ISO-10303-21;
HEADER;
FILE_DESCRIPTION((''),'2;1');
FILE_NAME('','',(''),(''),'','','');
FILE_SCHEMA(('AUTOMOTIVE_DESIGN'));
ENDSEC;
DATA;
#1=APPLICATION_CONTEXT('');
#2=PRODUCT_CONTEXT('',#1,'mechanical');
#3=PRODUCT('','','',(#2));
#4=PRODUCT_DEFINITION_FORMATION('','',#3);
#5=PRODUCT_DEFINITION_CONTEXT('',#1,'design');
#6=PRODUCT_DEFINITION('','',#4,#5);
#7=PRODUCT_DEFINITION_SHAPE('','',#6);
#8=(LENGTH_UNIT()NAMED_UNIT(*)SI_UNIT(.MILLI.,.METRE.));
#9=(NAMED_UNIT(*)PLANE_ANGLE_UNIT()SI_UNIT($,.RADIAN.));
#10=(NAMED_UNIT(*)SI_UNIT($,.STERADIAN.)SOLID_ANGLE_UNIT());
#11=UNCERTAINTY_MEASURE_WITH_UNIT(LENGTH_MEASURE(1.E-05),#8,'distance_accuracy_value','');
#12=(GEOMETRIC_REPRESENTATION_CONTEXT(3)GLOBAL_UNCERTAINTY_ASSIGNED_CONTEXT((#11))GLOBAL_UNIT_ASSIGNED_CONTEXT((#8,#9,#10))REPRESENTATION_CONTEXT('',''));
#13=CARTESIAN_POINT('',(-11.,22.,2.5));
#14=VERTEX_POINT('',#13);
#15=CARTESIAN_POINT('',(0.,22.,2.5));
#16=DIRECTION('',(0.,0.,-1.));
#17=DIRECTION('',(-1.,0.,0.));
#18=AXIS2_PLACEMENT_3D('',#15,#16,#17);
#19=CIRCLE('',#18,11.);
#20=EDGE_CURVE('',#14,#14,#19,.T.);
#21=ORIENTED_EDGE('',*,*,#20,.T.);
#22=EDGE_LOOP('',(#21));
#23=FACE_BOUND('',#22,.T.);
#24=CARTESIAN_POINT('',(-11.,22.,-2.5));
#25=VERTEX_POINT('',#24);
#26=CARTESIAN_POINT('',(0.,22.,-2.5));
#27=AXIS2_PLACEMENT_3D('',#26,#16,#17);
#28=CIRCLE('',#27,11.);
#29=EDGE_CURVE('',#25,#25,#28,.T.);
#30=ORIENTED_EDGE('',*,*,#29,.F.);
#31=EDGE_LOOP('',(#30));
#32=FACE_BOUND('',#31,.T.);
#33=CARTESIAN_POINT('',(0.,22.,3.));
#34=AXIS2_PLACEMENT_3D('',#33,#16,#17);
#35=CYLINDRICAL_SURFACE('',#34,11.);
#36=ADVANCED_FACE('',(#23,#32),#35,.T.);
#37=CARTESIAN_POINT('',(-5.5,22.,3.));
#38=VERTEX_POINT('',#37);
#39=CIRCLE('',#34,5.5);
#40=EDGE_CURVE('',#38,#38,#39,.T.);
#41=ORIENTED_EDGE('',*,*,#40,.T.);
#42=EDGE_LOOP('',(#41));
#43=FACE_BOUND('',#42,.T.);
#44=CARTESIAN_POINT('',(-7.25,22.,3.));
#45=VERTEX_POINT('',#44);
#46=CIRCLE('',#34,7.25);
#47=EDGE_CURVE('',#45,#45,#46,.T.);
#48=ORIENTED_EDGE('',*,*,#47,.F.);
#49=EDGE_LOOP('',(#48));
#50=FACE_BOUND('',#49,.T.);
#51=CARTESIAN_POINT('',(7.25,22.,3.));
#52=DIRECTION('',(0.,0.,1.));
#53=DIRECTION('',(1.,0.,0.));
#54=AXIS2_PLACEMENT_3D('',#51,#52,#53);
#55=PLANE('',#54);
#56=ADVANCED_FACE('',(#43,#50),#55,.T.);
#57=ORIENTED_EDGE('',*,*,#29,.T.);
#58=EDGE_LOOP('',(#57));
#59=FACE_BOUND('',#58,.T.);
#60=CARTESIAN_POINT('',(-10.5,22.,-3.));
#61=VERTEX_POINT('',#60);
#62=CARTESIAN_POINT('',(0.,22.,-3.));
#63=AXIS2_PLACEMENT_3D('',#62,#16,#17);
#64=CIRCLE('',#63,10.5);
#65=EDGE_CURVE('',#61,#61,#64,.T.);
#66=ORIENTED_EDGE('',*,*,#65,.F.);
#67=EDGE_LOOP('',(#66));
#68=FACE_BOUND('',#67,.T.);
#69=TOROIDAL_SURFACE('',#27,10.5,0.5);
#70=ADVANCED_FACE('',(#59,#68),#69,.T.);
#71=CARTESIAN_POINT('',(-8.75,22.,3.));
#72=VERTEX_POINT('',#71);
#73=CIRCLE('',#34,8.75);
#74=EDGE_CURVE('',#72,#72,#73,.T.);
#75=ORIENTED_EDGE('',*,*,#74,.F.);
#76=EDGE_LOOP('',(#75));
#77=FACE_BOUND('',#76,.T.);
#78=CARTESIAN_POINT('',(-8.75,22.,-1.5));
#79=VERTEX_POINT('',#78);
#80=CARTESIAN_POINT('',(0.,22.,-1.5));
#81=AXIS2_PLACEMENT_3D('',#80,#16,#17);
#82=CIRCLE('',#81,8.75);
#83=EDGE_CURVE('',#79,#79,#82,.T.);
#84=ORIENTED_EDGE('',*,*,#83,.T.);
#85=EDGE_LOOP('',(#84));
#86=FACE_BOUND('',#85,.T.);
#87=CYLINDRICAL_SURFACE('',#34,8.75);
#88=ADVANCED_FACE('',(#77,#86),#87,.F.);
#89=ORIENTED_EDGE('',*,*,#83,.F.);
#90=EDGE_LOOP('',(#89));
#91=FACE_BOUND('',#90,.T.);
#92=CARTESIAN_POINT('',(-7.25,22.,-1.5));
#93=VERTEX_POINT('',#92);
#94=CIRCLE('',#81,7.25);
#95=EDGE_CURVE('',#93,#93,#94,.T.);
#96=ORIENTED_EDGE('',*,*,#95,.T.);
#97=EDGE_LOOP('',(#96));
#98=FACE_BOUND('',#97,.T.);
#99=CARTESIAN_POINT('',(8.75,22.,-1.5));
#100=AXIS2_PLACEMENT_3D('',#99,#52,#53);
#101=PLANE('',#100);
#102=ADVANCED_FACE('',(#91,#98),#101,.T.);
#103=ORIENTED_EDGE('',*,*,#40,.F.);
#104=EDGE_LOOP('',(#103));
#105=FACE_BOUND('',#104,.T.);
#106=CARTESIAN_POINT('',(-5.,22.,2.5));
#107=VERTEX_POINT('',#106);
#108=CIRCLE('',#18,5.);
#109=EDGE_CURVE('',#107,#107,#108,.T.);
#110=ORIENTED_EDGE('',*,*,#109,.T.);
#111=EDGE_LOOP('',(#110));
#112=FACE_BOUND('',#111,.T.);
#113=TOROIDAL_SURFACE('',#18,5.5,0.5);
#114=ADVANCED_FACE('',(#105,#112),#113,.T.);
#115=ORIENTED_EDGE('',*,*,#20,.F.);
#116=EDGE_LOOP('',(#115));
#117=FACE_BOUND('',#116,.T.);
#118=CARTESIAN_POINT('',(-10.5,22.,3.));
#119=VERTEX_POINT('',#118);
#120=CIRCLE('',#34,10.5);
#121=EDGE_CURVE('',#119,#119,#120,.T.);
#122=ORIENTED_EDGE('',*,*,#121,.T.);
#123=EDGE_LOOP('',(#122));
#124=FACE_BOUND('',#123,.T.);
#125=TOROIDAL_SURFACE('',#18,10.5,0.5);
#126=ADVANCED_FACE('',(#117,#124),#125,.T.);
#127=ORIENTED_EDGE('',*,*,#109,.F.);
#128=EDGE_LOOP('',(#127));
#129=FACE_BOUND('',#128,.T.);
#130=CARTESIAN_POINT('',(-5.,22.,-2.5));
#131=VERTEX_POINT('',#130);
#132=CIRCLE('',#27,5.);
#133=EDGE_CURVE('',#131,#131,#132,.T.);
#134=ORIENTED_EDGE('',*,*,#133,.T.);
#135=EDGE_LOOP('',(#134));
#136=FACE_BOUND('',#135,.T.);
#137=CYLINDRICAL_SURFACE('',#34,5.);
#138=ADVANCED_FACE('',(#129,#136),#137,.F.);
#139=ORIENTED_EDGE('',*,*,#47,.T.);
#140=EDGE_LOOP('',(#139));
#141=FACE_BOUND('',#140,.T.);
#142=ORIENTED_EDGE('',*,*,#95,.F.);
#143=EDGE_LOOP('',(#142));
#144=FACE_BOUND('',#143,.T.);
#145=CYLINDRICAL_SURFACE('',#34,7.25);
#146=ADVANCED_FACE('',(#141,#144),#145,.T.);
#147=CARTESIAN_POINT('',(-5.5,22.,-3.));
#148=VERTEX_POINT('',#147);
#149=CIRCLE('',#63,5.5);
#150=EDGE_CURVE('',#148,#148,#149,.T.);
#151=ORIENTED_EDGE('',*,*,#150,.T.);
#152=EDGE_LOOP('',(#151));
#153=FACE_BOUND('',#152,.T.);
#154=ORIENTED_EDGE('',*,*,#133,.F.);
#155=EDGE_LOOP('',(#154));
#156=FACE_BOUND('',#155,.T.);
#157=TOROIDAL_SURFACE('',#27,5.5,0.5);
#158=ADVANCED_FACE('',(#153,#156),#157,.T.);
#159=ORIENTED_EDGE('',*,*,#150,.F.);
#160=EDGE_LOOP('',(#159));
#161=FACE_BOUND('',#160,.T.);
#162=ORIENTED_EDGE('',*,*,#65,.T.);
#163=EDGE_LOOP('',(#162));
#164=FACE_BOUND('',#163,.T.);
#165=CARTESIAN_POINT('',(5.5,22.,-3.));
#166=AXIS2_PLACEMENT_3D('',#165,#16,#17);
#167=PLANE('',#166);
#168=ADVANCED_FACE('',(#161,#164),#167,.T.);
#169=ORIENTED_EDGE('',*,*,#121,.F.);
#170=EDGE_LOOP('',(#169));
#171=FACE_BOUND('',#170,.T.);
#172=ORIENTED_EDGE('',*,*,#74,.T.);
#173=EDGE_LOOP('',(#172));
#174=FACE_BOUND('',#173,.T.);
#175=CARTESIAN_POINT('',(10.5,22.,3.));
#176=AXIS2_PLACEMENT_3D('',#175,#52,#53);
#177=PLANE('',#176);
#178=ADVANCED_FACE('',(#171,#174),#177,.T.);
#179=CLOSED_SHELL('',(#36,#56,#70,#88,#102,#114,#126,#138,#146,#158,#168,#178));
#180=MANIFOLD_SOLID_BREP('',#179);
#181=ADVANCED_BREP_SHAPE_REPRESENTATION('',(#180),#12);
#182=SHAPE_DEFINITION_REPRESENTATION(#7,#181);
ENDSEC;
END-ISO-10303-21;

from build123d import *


with BuildPart() as part:
    # Sketch1 → Revolve1 (revolve)
    with BuildSketch(Plane.XZ.offset(-22), mode=Mode.PRIVATE) as revolve1_sk:
        with BuildLine():
            Line((5, 2.5), (5, -2.5))
            ThreePointArc((5, -2.5), (5.146446609, -2.853553391), (5.5, -3))
            Line((5.5, -3), (10.5, -3))
            ThreePointArc((10.5, -3), (10.853553391, -2.853553391), (11, -2.5))
            Line((11, -2.5), (11, 2.5))
            ThreePointArc((11, 2.5), (10.853553391, 2.853553391), (10.5, 3))
            Line((10.5, 3), (8.75, 3))
            Line((8.75, 3), (8.75, -1.5))
            Line((8.75, -1.5), (7.25, -1.5))
            Line((7.25, -1.5), (7.25, 3))
            Line((7.25, 3), (5.5, 3))
            ThreePointArc((5.5, 3), (5.146446609, 2.853553391), (5, 2.5))
        make_face()
    revolve(revolve1_sk.sketch.rotate(Axis((0, 22, 3), (0, 0, -1)), 180), axis=Axis((0, 22, 3), (0, 0, -1)))


solid = part.part
